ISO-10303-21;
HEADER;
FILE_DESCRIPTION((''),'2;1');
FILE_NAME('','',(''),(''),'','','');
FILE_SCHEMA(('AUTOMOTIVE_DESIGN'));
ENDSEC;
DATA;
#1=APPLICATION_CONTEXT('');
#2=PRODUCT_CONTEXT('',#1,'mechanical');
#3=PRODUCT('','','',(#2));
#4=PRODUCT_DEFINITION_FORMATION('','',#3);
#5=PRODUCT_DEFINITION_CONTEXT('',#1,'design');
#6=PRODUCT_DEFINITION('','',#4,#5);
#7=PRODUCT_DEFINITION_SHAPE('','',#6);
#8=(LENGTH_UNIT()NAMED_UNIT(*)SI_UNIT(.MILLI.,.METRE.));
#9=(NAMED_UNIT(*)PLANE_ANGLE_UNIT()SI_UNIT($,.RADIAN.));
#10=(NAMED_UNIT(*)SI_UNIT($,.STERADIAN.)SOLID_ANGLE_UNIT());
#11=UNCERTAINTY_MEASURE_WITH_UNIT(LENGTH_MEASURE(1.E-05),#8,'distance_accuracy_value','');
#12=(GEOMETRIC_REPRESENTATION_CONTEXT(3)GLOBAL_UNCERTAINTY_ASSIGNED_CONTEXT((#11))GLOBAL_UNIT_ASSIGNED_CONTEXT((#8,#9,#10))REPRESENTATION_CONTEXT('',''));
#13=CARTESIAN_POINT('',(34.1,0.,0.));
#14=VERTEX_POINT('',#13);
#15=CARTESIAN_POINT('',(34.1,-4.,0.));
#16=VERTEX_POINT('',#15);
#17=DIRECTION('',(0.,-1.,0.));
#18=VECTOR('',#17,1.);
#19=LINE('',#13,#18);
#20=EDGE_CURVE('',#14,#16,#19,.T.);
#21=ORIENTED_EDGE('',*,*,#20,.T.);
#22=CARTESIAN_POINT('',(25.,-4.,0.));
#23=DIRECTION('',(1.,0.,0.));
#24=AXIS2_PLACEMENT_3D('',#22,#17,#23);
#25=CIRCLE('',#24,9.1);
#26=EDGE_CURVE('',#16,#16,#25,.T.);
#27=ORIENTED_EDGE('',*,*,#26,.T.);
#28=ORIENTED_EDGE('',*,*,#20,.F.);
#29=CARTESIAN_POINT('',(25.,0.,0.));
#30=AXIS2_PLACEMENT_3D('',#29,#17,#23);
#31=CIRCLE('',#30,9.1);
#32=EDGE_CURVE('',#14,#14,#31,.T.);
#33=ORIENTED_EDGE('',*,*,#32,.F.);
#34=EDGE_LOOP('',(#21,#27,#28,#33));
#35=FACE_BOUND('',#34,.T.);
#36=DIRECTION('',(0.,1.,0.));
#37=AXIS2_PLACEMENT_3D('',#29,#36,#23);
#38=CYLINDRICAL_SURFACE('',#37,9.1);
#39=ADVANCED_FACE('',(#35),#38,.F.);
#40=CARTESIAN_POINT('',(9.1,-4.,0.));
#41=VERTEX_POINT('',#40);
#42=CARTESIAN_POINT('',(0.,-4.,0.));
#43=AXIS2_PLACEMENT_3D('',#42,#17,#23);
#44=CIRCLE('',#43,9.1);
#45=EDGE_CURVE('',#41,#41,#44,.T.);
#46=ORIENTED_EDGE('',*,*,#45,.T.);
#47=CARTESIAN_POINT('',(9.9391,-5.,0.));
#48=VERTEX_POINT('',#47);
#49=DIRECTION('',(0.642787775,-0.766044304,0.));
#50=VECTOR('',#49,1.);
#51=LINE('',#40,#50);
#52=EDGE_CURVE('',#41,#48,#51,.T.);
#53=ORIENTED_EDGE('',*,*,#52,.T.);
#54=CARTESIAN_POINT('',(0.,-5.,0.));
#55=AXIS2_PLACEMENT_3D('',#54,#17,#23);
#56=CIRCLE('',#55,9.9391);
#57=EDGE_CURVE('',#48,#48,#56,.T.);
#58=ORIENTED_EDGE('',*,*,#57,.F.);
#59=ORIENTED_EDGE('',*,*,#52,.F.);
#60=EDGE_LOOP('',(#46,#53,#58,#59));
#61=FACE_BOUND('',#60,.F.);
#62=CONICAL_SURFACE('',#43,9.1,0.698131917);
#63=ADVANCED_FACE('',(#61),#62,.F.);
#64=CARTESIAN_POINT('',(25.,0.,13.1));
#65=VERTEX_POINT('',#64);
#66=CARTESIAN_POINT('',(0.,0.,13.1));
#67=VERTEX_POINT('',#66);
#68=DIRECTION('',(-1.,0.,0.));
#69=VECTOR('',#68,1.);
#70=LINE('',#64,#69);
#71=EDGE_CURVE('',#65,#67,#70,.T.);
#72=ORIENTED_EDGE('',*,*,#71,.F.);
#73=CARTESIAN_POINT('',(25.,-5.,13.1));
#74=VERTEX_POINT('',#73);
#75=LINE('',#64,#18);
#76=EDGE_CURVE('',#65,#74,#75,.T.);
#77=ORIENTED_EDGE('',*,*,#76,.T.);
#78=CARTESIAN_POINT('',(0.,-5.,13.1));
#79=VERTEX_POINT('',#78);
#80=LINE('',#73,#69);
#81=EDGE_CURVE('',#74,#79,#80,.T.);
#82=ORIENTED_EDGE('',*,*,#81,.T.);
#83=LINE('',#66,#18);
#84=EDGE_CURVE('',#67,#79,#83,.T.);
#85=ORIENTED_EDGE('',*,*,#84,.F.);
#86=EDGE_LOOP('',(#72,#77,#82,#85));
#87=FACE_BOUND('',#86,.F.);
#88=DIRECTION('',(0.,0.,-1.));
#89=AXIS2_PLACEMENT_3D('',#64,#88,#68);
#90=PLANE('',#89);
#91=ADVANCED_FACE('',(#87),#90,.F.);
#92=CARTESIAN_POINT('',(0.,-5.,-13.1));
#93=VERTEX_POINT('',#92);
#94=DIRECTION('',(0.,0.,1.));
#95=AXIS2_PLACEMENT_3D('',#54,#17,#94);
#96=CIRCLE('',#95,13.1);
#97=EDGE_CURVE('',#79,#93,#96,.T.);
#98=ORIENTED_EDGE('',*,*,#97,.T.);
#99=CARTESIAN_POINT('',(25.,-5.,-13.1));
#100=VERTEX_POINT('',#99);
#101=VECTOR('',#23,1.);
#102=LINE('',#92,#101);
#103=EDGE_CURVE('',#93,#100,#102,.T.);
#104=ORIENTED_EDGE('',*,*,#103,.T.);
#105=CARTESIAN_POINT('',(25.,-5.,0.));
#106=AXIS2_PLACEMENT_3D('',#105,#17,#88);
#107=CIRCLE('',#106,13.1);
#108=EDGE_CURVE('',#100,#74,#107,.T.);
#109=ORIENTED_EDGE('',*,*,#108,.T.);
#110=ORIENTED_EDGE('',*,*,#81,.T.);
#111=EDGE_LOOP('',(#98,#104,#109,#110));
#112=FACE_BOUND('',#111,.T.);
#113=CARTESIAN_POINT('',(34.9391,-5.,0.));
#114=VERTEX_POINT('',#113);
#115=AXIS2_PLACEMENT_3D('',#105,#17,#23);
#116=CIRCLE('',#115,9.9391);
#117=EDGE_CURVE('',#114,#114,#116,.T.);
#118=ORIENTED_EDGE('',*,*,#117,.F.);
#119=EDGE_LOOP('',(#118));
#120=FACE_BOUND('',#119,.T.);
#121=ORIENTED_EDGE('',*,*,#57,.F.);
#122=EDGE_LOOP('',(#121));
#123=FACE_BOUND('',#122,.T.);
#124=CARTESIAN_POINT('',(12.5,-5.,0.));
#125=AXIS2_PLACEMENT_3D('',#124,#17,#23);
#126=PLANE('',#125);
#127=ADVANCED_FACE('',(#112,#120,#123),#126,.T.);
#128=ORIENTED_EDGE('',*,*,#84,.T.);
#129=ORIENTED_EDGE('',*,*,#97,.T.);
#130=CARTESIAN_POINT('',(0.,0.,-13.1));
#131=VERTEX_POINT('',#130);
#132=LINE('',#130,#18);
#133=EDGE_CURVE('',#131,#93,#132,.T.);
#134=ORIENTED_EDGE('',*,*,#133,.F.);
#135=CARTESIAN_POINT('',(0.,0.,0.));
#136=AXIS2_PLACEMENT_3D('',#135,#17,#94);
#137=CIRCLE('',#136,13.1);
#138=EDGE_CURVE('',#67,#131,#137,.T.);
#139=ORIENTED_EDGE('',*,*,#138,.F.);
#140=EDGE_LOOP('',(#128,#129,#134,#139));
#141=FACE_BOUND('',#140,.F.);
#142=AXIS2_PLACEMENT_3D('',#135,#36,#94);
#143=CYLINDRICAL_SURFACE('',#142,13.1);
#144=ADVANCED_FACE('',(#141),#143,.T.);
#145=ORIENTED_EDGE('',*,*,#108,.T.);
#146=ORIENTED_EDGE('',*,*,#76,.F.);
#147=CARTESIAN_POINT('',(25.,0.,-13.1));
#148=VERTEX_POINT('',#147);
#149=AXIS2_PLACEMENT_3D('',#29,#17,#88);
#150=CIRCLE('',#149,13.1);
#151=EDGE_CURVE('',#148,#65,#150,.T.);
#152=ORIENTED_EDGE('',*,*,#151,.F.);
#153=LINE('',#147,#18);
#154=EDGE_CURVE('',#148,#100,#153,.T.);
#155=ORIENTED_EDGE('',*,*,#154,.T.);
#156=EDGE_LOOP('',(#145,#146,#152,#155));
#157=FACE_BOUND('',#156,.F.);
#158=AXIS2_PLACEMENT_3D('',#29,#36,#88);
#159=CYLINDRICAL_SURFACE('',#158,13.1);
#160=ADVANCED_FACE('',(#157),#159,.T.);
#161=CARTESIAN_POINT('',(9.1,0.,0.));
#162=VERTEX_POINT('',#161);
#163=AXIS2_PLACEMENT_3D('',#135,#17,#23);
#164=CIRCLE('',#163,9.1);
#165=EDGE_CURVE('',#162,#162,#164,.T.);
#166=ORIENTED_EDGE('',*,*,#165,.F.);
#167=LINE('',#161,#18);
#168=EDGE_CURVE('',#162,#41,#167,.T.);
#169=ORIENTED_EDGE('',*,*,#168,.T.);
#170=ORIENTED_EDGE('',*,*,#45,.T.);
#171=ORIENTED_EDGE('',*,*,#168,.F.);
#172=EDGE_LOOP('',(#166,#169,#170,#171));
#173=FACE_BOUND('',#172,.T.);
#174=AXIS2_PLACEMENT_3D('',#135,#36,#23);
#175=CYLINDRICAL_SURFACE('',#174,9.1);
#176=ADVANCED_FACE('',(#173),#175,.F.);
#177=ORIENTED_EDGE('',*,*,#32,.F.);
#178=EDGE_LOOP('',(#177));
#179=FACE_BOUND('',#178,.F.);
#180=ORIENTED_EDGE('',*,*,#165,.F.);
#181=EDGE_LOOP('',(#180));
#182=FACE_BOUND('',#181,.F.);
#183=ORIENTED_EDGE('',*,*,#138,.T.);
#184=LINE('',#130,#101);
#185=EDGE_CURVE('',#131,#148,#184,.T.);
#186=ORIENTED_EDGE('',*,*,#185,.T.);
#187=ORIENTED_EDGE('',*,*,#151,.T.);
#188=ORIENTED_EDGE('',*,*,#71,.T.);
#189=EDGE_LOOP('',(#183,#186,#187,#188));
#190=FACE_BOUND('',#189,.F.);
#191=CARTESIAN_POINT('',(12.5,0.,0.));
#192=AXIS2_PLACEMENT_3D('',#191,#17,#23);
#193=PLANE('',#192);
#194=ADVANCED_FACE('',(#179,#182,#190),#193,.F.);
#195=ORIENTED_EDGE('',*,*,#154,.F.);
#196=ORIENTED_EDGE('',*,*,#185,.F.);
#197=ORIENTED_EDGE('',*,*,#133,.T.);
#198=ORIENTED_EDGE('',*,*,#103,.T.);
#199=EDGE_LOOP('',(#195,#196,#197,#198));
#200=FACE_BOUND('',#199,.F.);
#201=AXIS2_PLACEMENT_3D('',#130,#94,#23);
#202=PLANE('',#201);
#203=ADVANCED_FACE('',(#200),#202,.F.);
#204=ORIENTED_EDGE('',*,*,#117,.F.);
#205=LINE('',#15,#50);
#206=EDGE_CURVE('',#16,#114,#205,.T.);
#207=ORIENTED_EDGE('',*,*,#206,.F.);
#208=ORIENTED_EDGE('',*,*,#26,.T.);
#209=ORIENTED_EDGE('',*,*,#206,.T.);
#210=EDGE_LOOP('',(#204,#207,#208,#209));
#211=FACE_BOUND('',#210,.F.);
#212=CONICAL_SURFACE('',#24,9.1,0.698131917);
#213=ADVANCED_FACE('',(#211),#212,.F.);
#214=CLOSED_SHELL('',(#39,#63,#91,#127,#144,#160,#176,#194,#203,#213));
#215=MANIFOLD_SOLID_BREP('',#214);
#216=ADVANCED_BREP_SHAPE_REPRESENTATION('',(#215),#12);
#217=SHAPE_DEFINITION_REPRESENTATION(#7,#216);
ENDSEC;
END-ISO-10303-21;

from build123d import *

# Parameters (mm, degrees)
F0_R     = 9.1
F1_DEPTH = 5
F2_SIZE2 = 0.8391
F2_SIZE  = 1


with BuildPart() as f1:
    # F0 (on Front) → F1 (new body)
    with BuildSketch(Plane.XZ):
        with BuildLine():
            Line((25, 13.1), (0, 13.1))
            ThreePointArc((0, 13.1), (-13.1, 0), (0, -13.1))
            Line((0, -13.1), (25, -13.1))
            ThreePointArc((25, -13.1), (38.1, 0), (25, 13.1))
        make_face()
        Circle(F0_R, mode=Mode.SUBTRACT)
        with Locations((25, 0)):
            Circle(F0_R, mode=Mode.SUBTRACT)
    extrude(amount=F1_DEPTH)

    # F2
    f2_edges = [f1.edges().sort_by_distance(p)[0] for p in [
        (-9.1, -5, 0),
        (15.9, -5, 0),
    ]]
    chamfer(f2_edges, length=F2_SIZE, length2=F2_SIZE2)


solid = f1.part
